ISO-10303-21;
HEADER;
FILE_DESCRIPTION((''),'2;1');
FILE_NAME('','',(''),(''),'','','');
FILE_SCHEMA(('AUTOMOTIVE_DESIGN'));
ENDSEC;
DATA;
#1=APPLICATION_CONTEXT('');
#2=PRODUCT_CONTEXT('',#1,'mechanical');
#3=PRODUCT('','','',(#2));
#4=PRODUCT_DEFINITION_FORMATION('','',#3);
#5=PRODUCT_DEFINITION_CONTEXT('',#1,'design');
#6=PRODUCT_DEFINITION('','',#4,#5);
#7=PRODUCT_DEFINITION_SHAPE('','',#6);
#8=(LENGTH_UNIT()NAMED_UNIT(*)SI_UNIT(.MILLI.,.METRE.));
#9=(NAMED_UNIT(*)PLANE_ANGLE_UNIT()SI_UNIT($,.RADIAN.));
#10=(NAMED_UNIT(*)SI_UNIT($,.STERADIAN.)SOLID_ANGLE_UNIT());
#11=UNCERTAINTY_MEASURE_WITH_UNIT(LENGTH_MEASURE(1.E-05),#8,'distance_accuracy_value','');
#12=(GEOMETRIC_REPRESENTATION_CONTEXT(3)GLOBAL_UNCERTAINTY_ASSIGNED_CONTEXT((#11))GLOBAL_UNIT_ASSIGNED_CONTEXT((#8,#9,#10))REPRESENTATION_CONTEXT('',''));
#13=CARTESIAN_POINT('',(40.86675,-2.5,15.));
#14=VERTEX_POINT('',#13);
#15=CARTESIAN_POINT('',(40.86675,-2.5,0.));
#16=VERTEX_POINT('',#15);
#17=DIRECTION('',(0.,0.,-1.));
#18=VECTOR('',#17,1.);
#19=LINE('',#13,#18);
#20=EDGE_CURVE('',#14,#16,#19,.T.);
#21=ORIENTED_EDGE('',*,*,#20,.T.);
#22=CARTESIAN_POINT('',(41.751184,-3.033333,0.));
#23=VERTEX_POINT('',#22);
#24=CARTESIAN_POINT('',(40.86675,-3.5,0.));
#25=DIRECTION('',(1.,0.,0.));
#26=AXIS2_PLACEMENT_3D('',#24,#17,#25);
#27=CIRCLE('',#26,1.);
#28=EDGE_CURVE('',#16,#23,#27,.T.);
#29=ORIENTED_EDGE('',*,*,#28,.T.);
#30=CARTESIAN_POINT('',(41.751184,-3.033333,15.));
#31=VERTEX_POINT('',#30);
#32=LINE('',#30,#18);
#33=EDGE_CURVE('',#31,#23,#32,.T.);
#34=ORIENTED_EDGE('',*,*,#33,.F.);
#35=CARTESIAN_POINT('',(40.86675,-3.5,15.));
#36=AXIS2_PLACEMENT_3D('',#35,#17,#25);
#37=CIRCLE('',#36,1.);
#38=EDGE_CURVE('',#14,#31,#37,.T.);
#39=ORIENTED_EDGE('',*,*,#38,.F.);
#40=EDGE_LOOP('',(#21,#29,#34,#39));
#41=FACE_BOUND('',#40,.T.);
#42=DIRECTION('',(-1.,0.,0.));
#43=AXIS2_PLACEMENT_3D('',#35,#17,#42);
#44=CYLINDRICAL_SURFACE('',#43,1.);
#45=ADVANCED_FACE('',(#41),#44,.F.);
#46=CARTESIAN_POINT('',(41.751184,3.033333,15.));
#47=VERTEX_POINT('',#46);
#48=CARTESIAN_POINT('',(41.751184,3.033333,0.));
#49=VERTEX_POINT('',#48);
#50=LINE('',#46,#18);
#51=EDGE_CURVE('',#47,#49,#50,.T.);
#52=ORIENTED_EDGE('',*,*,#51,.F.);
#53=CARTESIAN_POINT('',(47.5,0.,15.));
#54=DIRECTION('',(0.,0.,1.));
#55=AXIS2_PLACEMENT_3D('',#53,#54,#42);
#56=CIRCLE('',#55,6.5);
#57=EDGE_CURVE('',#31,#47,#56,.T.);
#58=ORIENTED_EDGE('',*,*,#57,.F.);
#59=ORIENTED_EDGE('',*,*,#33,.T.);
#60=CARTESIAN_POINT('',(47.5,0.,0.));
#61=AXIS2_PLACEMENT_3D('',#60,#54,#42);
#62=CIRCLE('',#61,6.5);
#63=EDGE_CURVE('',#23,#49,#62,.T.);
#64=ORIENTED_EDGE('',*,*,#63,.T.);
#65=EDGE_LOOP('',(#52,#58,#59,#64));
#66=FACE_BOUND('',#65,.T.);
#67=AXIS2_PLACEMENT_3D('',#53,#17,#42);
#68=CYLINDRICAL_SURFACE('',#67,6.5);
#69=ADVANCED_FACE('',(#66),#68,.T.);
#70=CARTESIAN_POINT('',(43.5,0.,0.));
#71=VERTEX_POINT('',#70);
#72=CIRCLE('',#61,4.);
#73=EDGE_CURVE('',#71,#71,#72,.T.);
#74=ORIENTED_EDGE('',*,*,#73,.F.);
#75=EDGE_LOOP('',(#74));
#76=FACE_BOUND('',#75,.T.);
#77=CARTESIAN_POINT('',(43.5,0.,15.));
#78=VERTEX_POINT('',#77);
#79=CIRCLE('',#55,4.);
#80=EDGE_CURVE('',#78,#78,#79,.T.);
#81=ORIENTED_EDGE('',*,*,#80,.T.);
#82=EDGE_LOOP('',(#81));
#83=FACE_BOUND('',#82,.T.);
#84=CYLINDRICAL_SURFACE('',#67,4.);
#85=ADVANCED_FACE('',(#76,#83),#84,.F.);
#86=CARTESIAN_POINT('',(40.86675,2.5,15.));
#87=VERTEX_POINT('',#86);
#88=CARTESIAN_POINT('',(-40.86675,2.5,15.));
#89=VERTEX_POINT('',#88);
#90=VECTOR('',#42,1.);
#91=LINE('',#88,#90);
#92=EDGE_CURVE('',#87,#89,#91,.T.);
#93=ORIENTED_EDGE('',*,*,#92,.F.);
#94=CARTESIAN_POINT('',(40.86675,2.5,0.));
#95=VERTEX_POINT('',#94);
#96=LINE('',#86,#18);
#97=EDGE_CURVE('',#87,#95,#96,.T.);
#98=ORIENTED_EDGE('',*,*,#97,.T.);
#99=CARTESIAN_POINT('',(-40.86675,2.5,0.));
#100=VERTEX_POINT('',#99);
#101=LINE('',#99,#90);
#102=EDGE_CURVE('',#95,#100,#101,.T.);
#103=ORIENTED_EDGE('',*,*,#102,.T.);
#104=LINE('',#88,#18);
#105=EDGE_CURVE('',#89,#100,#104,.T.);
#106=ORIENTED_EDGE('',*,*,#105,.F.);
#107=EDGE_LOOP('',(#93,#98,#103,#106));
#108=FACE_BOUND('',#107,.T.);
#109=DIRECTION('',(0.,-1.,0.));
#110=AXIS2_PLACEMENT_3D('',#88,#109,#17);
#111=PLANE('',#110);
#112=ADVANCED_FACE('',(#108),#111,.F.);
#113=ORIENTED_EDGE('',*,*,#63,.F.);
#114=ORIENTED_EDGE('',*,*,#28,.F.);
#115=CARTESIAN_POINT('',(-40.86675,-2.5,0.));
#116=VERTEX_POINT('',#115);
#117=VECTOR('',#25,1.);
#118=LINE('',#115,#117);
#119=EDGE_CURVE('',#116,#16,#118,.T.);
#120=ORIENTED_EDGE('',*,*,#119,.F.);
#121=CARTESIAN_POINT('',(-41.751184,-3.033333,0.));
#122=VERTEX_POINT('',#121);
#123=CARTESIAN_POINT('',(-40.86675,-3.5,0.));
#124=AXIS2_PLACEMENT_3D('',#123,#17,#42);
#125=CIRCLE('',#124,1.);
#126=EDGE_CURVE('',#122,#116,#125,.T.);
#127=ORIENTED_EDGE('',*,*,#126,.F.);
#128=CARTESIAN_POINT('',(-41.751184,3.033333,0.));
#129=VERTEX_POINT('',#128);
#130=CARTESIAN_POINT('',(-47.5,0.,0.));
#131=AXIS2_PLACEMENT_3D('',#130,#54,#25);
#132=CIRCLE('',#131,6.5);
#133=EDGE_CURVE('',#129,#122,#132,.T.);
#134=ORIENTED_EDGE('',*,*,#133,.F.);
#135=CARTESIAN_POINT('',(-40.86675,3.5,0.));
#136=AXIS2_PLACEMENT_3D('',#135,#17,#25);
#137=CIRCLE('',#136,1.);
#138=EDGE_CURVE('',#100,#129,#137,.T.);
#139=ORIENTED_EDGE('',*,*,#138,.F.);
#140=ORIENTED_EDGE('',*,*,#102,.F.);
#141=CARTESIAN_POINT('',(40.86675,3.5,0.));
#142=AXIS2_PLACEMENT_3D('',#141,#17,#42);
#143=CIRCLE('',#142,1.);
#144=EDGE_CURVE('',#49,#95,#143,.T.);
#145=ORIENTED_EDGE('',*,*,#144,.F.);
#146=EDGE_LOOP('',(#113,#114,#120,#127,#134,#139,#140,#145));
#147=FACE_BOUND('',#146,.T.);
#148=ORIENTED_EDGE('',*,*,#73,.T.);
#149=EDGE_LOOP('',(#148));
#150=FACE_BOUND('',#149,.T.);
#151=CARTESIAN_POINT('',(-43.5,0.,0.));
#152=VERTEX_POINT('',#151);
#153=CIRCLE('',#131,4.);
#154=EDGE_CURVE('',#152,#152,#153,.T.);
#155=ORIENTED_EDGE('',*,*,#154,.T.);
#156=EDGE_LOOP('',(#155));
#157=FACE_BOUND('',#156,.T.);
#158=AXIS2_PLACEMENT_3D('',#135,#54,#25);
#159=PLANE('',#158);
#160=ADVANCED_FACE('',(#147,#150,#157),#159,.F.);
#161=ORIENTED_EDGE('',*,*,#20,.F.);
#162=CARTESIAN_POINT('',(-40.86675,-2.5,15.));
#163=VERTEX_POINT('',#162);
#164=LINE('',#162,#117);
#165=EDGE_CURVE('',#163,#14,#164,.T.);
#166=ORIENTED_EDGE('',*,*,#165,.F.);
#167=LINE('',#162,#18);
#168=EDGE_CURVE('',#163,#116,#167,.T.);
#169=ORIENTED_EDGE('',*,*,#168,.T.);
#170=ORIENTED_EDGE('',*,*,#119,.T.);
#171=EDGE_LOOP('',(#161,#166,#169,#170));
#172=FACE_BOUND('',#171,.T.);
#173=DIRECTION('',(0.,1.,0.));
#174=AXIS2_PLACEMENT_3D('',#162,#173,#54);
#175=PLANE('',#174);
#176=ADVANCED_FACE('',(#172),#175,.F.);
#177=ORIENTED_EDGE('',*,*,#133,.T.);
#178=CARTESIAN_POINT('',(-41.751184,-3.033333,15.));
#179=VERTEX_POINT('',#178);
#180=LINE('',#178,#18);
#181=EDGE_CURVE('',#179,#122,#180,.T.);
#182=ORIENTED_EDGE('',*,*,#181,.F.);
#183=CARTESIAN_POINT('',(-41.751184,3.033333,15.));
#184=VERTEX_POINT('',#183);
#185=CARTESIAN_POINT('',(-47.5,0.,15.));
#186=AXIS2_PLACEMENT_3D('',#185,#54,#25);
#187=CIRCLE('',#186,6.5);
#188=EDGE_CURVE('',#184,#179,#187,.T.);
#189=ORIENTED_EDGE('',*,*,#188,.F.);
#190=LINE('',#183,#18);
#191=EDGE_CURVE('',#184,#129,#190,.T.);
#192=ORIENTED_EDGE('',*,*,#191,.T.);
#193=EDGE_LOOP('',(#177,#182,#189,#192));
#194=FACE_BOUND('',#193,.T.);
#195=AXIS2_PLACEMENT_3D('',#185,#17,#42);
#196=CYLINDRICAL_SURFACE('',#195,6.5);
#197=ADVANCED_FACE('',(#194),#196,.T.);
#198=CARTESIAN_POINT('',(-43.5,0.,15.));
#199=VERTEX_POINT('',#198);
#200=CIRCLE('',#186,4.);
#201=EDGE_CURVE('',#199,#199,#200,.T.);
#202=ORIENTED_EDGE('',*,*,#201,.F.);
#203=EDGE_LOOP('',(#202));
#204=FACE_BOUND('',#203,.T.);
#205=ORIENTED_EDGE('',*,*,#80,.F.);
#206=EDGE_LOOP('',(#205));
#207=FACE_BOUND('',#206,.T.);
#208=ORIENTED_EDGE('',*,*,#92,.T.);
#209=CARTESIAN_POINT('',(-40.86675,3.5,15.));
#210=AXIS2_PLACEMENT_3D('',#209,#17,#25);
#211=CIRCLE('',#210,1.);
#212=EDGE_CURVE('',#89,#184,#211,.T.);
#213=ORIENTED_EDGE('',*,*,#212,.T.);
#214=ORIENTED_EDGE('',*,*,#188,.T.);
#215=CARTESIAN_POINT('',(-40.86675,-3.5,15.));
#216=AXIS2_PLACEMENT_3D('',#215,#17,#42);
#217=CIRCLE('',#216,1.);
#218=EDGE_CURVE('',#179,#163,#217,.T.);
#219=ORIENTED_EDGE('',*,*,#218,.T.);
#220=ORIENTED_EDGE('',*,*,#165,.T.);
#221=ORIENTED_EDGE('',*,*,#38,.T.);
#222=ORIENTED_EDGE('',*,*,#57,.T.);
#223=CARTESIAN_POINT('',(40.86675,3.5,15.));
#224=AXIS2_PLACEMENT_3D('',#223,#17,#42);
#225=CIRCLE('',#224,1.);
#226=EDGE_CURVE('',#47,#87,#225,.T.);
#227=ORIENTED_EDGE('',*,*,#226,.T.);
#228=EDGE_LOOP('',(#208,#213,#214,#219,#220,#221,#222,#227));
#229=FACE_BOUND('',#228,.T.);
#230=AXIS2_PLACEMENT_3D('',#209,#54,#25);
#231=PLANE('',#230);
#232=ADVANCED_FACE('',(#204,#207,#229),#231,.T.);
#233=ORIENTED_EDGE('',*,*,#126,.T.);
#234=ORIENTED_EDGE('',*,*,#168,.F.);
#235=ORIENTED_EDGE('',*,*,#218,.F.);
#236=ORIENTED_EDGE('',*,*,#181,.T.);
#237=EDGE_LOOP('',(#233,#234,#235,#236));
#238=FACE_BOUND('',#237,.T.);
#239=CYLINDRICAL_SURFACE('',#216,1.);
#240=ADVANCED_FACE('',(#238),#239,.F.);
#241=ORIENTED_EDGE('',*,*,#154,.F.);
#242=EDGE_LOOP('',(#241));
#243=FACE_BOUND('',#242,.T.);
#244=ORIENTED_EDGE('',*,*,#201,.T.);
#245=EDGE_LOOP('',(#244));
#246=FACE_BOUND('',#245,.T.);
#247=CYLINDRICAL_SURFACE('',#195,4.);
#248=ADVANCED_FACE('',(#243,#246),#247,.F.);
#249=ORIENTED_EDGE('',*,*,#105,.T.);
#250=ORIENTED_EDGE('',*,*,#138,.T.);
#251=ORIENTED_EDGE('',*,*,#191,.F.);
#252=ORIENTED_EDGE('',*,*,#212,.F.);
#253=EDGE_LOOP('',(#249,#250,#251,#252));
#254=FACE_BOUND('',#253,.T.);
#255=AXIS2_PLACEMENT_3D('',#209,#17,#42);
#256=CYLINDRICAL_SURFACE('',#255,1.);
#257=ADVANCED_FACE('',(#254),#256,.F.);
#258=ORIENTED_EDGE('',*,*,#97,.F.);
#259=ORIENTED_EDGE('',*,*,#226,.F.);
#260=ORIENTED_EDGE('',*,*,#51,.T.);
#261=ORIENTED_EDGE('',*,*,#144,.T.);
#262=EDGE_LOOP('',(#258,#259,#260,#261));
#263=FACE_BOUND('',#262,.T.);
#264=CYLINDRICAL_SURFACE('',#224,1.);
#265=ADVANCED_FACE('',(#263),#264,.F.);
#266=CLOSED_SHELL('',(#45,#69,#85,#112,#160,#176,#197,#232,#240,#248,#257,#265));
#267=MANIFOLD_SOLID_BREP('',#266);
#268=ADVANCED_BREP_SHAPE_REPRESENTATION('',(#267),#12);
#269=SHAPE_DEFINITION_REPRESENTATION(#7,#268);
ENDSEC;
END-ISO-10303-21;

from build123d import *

# Parameters (mm, degrees)
SKETCH1_R           = 4
BOSS_EXTRUDE1_DEPTH = 15


with BuildPart() as part:
    # Sketch1 → Boss-Extrude1 (new body)
    with BuildSketch(Plane.XY):
        with BuildLine():
            Line((-40.866750419, 2.5), (40.866750419, 2.5))
            ThreePointArc((40.866750419, 2.5), (41.383148199, 2.643651161), (41.751183697, 3.033333333))
            ThreePointArc((41.751183697, 3.033333333), (54, 0), (41.751183697, -3.033333333))
            ThreePointArc((41.751183697, -3.033333333), (41.383148199, -2.643651161), (40.866750419, -2.5))
            Line((40.866750419, -2.5), (-40.866750419, -2.5))
            ThreePointArc((-40.866750419, -2.5), (-41.383148199, -2.643651161), (-41.751183697, -3.033333333))
            ThreePointArc((-41.751183697, -3.033333333), (-54, 0), (-41.751183697, 3.033333333))
            ThreePointArc((-41.751183697, 3.033333333), (-41.383148199, 2.643651161), (-40.866750419, 2.5))
        make_face()
        with Locations((-47.5, 0)):
            Circle(SKETCH1_R, mode=Mode.SUBTRACT)
        with Locations(Location((47.5, 0, 0), (0, 0, 180))):
            Circle(SKETCH1_R, mode=Mode.SUBTRACT)
    extrude(amount=BOSS_EXTRUDE1_DEPTH)


solid = part.part
